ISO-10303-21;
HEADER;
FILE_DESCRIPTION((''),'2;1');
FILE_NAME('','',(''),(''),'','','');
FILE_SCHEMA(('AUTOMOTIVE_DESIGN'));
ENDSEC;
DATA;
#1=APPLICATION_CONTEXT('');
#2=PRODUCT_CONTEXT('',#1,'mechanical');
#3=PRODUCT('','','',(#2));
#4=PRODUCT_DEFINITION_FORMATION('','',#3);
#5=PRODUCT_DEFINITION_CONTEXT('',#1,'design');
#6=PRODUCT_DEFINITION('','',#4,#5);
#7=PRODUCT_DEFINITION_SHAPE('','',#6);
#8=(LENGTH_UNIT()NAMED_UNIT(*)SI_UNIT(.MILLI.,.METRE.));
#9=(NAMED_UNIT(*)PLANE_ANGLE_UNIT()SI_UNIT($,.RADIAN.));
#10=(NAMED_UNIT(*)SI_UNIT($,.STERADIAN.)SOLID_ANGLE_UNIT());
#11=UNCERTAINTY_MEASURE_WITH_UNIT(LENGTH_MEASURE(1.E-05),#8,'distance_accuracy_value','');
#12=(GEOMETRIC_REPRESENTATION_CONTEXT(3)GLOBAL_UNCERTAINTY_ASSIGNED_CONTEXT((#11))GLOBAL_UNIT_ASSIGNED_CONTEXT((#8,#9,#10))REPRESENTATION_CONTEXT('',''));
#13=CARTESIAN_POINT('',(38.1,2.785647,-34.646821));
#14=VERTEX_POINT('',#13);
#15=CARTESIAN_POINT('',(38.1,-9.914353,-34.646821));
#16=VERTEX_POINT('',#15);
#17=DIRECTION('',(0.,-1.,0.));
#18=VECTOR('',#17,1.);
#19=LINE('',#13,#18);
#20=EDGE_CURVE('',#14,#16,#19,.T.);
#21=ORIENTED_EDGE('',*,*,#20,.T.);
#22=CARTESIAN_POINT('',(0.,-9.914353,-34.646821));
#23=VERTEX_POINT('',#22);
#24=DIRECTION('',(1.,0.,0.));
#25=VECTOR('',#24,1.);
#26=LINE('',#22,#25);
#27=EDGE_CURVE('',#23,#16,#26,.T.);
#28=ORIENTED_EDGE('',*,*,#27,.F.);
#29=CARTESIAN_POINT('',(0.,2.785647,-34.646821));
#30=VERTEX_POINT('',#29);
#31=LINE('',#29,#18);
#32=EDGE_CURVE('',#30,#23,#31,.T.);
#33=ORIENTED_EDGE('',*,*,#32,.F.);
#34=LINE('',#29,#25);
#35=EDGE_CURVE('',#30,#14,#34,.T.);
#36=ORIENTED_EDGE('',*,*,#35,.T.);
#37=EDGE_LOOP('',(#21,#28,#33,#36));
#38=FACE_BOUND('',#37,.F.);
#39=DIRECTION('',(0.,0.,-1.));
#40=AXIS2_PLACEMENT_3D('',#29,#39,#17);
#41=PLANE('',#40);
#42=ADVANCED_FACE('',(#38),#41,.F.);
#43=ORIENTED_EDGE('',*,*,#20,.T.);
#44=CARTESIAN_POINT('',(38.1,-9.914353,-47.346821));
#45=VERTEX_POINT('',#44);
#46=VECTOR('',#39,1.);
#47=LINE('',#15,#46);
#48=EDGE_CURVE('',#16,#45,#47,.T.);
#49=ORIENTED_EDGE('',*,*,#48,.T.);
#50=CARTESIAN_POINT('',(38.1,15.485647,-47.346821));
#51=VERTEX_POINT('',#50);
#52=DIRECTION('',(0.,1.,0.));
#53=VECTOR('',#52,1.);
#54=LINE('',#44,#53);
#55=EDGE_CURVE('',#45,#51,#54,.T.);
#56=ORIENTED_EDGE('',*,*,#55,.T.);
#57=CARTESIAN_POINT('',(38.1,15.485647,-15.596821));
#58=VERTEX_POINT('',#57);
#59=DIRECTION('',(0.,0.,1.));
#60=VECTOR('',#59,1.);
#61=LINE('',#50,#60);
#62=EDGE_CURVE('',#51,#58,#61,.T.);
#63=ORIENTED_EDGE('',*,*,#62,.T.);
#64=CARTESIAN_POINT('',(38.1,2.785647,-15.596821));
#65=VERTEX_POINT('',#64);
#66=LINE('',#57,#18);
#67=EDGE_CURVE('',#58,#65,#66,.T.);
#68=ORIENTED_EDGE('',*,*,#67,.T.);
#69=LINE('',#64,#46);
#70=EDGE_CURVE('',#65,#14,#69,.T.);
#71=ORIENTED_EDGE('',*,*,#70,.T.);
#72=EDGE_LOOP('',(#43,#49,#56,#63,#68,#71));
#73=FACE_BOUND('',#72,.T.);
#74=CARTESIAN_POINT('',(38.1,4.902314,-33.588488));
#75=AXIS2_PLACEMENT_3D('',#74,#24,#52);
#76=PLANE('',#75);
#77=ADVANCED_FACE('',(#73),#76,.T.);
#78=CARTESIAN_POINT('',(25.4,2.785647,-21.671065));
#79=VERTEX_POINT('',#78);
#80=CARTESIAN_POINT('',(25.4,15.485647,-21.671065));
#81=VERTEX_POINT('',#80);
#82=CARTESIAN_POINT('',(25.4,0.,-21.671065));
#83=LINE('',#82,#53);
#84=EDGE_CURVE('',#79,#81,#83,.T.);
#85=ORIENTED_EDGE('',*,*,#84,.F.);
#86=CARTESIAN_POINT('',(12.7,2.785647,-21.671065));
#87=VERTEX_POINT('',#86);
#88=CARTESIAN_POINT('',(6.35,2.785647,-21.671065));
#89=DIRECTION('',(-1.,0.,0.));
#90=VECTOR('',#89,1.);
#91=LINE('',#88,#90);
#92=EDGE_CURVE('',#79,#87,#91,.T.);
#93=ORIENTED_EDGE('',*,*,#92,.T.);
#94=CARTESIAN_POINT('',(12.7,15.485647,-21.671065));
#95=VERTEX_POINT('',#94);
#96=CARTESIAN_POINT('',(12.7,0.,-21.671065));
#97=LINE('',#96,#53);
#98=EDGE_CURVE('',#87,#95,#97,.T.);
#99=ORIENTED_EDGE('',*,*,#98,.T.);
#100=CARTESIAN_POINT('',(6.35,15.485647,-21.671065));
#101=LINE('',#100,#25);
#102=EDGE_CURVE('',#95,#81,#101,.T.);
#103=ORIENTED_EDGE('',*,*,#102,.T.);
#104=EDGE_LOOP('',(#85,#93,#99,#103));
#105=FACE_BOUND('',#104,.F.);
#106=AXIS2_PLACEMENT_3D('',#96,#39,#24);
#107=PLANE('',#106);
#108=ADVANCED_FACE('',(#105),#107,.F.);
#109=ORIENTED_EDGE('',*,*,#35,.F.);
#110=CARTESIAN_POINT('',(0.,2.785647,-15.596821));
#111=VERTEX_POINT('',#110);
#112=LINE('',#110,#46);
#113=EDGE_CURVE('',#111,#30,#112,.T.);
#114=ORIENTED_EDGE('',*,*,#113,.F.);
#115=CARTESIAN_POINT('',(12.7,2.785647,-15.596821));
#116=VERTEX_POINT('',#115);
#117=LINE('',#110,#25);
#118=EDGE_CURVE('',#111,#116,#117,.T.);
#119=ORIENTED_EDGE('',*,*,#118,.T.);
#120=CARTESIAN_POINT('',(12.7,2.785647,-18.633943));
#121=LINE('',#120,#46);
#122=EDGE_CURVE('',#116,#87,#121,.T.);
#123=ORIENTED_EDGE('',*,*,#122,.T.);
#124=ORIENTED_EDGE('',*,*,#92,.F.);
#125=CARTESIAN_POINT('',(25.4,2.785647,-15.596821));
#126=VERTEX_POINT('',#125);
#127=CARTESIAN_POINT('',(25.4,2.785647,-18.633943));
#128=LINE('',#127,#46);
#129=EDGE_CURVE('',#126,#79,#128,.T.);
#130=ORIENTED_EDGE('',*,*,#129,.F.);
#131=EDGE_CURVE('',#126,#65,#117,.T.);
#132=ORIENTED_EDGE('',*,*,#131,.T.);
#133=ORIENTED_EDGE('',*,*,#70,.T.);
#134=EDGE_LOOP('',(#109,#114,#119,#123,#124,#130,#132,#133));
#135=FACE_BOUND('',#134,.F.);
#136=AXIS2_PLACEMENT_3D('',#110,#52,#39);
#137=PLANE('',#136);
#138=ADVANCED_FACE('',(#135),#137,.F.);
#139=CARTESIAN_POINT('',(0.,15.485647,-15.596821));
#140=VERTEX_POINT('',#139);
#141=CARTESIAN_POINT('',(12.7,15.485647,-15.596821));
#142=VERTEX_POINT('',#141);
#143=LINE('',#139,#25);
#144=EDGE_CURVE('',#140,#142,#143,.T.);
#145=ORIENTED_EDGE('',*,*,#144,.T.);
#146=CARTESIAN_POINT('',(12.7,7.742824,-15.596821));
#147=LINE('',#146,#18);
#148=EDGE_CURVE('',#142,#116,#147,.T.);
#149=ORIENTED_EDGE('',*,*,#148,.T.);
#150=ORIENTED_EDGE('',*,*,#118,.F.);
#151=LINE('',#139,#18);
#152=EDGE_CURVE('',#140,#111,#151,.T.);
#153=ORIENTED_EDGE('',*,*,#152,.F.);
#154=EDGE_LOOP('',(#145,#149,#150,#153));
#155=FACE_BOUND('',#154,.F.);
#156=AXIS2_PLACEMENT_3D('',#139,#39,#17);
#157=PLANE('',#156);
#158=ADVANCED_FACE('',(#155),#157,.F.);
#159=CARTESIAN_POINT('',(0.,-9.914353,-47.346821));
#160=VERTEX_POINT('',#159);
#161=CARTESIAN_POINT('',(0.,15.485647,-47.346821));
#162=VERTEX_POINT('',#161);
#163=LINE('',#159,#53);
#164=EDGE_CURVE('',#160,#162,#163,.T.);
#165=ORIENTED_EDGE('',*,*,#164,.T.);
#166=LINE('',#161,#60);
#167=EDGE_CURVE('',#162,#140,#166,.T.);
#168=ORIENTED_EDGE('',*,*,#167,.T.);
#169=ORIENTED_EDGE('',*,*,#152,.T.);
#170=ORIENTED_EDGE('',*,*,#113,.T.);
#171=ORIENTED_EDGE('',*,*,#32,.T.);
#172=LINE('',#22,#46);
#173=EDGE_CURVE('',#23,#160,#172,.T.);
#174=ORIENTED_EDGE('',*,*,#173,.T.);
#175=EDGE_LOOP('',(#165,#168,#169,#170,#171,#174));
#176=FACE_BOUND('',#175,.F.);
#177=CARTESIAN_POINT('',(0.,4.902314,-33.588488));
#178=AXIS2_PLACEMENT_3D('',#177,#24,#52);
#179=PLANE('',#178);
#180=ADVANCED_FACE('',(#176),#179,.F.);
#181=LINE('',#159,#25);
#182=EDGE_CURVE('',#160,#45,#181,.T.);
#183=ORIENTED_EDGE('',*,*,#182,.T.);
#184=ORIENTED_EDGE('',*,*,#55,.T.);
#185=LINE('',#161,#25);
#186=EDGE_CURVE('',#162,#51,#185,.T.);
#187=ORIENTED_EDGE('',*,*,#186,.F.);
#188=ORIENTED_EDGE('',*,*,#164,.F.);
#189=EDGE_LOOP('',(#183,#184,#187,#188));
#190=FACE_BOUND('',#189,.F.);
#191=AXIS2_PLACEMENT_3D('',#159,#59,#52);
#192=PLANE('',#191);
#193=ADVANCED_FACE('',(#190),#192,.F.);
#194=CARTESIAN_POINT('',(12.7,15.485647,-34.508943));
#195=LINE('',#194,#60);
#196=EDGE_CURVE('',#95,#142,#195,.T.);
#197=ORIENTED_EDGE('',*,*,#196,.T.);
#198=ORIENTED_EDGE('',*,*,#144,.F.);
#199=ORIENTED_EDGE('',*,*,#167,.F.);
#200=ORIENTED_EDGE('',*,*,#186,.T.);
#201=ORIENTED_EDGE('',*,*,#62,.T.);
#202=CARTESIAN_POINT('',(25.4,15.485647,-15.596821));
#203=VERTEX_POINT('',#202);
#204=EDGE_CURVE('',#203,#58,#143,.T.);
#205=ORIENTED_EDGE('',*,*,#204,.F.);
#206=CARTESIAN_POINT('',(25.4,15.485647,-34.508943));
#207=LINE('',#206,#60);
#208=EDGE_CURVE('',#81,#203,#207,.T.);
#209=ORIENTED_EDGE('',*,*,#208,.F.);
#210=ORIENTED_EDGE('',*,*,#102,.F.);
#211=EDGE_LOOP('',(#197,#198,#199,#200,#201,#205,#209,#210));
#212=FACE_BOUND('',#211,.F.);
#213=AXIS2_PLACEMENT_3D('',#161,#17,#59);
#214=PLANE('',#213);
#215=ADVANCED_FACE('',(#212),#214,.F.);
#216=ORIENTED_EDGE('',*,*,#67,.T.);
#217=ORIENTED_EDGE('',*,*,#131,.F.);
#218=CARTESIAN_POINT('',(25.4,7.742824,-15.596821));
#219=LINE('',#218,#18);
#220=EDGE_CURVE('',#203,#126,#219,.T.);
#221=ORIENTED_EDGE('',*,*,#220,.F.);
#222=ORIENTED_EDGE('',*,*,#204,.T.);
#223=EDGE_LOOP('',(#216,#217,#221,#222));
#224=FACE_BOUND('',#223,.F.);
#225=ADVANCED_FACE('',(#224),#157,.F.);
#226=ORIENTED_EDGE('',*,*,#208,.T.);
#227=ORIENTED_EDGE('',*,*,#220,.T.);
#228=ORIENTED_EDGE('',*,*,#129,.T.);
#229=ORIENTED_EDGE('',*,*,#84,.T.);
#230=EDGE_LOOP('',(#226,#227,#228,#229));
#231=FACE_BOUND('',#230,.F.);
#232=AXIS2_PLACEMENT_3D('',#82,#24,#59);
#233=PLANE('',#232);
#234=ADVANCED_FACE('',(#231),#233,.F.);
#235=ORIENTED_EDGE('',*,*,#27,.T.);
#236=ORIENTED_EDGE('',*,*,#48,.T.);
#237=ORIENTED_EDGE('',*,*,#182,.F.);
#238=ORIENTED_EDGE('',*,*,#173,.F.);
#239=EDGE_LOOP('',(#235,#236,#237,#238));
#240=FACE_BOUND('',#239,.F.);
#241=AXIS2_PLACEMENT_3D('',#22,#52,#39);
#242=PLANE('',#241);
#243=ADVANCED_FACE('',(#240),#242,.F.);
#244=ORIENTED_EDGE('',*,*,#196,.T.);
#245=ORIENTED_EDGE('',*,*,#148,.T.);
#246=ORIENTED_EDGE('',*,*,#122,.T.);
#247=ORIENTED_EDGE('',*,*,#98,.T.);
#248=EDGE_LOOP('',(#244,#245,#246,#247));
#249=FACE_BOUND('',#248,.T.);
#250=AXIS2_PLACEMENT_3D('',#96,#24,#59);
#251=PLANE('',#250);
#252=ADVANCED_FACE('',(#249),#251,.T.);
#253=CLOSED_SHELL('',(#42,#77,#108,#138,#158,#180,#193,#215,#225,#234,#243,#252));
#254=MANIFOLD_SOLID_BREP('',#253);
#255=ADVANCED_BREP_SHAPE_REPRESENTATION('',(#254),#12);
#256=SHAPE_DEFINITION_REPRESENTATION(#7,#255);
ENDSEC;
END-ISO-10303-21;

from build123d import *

# Parameters (mm, degrees)
F1_DEPTH = 38.1
F2_W     = 12.7
F2_H     = 6.35
F3_DEPTH = 15.486647


with BuildPart() as f1:
    # F0 (on Right) → F1 (new body)
    with BuildSketch(Plane.YZ):
        Polygon((15.485647, -47.346821), (15.485647, -15.596821), (2.785647, -15.596821), (2.785647, -34.646821), (-9.914353, -34.646821), (-9.914353, -47.346821), align=None)
    extrude(amount=F1_DEPTH)

    # F2 (on Front) → F3 (cut, through all)
    with BuildSketch(Plane.XZ):
        with Locations((19.05, -18.496065)):
            Rectangle(F2_W, F2_H)
    extrude(amount=-F3_DEPTH, mode=Mode.SUBTRACT)


solid = f1.part
